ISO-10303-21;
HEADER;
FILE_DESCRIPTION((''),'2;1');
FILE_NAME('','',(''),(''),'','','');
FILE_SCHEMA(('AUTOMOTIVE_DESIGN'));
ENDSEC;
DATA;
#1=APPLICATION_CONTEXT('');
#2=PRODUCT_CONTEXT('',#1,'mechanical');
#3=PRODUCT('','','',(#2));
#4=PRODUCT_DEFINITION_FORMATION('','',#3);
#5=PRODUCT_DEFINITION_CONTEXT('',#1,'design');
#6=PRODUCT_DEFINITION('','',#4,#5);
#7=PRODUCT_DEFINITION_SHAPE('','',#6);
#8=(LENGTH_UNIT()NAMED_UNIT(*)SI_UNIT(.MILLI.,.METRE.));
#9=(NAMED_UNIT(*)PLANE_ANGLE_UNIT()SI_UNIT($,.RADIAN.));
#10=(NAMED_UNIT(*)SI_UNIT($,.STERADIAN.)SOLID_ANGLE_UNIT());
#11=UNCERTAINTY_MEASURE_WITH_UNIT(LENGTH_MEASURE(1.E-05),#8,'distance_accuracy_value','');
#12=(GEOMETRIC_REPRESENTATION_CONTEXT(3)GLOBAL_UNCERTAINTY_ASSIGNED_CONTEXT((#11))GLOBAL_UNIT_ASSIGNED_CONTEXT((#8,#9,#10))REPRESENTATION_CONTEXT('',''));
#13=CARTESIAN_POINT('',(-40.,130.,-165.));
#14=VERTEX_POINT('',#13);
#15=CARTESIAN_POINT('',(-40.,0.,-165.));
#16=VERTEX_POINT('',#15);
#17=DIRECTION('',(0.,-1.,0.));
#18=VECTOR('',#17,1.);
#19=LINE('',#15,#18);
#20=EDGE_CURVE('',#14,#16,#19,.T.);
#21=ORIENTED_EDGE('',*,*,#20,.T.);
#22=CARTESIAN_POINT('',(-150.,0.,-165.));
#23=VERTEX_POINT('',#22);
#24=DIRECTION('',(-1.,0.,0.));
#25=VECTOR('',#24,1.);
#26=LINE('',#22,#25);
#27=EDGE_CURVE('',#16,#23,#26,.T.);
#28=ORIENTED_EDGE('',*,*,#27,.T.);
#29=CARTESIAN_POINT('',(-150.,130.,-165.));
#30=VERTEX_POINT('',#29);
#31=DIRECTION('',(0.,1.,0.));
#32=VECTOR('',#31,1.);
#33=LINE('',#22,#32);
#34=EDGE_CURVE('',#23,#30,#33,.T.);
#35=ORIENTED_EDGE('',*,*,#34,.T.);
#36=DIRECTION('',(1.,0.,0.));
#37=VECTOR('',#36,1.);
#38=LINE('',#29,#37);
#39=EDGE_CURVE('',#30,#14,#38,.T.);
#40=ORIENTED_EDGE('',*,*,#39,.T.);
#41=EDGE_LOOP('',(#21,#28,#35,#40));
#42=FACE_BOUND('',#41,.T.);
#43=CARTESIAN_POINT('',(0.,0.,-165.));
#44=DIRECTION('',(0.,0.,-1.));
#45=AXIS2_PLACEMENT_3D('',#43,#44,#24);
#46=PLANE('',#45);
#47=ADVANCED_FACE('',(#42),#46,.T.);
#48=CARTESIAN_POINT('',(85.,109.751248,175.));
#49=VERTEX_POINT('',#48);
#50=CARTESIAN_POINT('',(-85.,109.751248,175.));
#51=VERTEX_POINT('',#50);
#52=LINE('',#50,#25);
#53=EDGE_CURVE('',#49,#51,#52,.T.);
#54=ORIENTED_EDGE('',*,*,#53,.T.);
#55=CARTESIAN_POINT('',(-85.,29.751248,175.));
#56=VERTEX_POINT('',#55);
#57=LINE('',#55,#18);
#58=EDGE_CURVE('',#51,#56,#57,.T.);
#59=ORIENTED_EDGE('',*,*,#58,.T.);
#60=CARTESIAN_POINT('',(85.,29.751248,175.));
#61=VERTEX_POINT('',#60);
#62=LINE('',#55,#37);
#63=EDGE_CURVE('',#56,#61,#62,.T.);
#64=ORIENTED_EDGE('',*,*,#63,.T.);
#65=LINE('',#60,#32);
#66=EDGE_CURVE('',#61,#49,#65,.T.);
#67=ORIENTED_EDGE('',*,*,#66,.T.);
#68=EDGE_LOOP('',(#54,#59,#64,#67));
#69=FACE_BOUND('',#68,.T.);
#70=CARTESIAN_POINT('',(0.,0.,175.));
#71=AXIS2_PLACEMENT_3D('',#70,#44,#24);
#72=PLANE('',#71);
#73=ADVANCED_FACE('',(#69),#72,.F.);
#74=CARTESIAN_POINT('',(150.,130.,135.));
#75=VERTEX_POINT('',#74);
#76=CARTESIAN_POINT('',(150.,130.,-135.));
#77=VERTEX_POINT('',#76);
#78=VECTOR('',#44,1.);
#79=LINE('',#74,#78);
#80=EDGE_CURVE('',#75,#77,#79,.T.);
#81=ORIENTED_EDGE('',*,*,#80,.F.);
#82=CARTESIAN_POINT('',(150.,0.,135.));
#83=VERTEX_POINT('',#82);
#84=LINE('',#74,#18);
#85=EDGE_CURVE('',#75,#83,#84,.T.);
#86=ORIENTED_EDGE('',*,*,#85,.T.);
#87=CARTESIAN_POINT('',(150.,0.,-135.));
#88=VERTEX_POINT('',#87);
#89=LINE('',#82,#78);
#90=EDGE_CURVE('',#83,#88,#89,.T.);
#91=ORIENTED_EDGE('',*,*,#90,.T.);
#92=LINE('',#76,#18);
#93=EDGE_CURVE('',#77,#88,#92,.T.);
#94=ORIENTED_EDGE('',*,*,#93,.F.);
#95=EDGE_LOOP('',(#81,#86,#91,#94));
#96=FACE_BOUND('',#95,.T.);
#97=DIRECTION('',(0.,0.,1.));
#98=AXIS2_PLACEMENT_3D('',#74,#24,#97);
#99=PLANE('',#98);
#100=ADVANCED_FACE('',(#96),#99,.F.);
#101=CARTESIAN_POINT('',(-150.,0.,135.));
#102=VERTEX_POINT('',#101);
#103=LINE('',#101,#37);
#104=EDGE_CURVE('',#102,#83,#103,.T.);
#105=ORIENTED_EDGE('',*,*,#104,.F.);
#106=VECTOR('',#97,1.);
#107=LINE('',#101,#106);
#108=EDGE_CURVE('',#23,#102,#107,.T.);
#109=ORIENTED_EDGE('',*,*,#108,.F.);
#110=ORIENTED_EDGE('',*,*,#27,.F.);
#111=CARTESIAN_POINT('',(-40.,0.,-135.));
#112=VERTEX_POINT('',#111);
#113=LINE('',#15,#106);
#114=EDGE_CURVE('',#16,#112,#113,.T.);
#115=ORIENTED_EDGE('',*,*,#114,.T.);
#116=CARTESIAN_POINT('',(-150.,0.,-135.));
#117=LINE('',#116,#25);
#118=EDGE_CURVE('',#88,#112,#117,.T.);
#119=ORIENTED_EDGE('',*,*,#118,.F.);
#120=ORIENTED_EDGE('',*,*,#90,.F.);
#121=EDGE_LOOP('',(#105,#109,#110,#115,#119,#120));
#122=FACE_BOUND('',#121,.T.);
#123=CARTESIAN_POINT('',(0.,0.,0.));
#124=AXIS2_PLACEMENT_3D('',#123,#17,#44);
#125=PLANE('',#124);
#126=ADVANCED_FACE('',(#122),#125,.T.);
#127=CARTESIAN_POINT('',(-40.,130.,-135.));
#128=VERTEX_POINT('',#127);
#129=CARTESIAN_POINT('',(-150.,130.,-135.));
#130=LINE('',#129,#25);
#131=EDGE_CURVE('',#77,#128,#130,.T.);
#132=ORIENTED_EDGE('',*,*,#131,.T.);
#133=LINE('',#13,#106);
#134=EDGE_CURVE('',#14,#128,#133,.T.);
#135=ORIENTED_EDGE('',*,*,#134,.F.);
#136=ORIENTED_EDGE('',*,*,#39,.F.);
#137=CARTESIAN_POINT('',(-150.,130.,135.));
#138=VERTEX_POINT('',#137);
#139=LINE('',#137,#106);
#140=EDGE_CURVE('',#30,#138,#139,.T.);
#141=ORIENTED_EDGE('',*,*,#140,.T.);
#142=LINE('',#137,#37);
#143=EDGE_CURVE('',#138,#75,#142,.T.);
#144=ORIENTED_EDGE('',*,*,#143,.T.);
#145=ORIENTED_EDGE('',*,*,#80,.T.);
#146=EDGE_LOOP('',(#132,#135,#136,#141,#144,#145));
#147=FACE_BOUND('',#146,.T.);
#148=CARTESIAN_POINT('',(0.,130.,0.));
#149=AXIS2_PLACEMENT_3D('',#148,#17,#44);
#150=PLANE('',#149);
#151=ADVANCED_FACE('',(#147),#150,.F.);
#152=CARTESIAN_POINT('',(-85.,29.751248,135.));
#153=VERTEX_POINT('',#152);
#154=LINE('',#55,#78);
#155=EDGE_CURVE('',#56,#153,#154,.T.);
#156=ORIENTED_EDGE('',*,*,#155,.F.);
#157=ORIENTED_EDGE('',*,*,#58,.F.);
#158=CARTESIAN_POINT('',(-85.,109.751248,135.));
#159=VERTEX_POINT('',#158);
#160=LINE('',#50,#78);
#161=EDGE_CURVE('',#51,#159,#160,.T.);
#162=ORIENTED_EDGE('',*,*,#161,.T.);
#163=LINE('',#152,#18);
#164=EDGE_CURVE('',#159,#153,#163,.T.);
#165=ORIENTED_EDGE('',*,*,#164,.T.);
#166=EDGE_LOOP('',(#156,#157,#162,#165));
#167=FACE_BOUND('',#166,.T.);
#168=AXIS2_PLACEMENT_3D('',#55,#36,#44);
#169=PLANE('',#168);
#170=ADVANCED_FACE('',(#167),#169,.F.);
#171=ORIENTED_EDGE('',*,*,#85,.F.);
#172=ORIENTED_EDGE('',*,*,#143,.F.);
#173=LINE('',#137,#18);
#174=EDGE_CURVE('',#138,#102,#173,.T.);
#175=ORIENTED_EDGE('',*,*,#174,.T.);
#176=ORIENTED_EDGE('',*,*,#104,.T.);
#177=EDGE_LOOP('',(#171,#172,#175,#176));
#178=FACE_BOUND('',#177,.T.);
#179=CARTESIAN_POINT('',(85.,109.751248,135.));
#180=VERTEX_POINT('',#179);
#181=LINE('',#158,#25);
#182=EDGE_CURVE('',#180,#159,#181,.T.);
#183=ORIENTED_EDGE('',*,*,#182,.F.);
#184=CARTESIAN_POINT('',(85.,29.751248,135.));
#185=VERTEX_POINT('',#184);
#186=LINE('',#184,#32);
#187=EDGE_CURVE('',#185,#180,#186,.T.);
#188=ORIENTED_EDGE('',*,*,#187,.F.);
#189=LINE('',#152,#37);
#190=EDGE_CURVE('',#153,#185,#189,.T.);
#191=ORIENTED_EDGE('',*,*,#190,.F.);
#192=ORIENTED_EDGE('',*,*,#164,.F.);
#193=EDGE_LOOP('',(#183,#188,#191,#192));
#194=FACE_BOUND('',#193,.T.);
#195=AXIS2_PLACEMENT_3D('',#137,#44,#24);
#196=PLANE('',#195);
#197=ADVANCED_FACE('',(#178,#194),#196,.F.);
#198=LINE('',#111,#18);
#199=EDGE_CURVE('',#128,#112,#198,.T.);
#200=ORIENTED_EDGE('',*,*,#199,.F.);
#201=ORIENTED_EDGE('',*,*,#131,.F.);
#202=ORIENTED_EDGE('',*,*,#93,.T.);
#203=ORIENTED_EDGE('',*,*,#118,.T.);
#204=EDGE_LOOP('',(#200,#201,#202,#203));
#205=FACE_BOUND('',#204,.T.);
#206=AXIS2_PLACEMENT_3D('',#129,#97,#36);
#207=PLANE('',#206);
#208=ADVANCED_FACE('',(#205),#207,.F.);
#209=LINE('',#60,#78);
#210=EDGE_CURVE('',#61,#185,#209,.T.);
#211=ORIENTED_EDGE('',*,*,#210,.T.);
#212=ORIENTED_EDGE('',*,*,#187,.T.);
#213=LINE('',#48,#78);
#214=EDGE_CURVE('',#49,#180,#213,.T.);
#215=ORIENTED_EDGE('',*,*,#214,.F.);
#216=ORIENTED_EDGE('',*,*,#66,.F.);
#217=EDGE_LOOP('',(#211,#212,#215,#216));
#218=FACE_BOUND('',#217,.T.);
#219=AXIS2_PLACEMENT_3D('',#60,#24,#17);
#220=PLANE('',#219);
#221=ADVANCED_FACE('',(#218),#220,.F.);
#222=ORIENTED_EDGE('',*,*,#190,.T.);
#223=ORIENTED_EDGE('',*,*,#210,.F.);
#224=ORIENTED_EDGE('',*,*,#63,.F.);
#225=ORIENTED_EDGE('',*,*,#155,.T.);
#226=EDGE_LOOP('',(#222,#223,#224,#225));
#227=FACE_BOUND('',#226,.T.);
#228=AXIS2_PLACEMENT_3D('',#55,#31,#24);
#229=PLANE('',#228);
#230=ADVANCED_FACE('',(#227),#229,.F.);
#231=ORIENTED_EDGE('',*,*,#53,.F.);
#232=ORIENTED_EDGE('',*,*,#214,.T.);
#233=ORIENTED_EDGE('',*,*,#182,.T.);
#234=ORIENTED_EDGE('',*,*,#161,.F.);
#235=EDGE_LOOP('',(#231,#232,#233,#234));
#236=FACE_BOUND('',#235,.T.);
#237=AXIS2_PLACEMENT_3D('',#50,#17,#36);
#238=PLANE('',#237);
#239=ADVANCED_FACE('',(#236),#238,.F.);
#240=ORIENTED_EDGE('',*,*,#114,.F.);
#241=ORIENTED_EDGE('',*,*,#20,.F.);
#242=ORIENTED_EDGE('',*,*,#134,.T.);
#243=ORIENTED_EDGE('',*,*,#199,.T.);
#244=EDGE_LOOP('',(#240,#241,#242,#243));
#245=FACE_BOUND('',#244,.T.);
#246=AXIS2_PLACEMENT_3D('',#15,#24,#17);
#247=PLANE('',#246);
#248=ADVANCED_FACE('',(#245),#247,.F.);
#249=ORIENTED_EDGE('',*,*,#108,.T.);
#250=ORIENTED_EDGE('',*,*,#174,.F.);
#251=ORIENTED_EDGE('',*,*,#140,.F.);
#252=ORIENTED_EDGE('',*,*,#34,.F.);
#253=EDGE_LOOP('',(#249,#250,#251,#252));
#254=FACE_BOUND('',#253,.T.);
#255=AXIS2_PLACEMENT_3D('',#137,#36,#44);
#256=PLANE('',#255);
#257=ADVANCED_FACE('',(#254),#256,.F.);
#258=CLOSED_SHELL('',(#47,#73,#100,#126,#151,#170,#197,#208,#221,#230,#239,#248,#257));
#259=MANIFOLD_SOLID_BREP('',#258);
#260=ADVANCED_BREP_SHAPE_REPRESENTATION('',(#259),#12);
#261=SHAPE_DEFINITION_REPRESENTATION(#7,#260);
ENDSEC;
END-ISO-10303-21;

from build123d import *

# Parameters (mm, degrees)
SKETCH1_W           = 300
SKETCH1_H           = 270
BOSS_EXTRUDE1_DEPTH = 130
SKETCH2_W           = 110
SKETCH2_H           = 130
BOSS_EXTRUDE2_DEPTH = 30
SKETCH3_W           = 170
SKETCH3_H           = 80
BOSS_EXTRUDE3_DEPTH = 40


with BuildPart() as part:
    # Sketch1 → Boss-Extrude1 (new body)
    with BuildSketch(Plane(origin=(0, 0, 0), x_dir=(1, 0, 0), z_dir=(0, 1, 0))):
        Rectangle(SKETCH1_W, SKETCH1_H)
    extrude(amount=BOSS_EXTRUDE1_DEPTH)

    # Sketch2 → Boss-Extrude2 (add)
    with BuildSketch(Plane(origin=(0, 0, -135), x_dir=(-1, 0, 0), z_dir=(0, 0, -1))):
        with Locations((95, 65)):
            Rectangle(SKETCH2_W, SKETCH2_H)
    extrude(amount=BOSS_EXTRUDE2_DEPTH)

    # Sketch3 → Boss-Extrude3 (add)
    with BuildSketch(Plane.XY.offset(135)):
        with Locations((0, 69.751247573)):
            Rectangle(SKETCH3_W, SKETCH3_H)
    extrude(amount=BOSS_EXTRUDE3_DEPTH)


solid = part.part
